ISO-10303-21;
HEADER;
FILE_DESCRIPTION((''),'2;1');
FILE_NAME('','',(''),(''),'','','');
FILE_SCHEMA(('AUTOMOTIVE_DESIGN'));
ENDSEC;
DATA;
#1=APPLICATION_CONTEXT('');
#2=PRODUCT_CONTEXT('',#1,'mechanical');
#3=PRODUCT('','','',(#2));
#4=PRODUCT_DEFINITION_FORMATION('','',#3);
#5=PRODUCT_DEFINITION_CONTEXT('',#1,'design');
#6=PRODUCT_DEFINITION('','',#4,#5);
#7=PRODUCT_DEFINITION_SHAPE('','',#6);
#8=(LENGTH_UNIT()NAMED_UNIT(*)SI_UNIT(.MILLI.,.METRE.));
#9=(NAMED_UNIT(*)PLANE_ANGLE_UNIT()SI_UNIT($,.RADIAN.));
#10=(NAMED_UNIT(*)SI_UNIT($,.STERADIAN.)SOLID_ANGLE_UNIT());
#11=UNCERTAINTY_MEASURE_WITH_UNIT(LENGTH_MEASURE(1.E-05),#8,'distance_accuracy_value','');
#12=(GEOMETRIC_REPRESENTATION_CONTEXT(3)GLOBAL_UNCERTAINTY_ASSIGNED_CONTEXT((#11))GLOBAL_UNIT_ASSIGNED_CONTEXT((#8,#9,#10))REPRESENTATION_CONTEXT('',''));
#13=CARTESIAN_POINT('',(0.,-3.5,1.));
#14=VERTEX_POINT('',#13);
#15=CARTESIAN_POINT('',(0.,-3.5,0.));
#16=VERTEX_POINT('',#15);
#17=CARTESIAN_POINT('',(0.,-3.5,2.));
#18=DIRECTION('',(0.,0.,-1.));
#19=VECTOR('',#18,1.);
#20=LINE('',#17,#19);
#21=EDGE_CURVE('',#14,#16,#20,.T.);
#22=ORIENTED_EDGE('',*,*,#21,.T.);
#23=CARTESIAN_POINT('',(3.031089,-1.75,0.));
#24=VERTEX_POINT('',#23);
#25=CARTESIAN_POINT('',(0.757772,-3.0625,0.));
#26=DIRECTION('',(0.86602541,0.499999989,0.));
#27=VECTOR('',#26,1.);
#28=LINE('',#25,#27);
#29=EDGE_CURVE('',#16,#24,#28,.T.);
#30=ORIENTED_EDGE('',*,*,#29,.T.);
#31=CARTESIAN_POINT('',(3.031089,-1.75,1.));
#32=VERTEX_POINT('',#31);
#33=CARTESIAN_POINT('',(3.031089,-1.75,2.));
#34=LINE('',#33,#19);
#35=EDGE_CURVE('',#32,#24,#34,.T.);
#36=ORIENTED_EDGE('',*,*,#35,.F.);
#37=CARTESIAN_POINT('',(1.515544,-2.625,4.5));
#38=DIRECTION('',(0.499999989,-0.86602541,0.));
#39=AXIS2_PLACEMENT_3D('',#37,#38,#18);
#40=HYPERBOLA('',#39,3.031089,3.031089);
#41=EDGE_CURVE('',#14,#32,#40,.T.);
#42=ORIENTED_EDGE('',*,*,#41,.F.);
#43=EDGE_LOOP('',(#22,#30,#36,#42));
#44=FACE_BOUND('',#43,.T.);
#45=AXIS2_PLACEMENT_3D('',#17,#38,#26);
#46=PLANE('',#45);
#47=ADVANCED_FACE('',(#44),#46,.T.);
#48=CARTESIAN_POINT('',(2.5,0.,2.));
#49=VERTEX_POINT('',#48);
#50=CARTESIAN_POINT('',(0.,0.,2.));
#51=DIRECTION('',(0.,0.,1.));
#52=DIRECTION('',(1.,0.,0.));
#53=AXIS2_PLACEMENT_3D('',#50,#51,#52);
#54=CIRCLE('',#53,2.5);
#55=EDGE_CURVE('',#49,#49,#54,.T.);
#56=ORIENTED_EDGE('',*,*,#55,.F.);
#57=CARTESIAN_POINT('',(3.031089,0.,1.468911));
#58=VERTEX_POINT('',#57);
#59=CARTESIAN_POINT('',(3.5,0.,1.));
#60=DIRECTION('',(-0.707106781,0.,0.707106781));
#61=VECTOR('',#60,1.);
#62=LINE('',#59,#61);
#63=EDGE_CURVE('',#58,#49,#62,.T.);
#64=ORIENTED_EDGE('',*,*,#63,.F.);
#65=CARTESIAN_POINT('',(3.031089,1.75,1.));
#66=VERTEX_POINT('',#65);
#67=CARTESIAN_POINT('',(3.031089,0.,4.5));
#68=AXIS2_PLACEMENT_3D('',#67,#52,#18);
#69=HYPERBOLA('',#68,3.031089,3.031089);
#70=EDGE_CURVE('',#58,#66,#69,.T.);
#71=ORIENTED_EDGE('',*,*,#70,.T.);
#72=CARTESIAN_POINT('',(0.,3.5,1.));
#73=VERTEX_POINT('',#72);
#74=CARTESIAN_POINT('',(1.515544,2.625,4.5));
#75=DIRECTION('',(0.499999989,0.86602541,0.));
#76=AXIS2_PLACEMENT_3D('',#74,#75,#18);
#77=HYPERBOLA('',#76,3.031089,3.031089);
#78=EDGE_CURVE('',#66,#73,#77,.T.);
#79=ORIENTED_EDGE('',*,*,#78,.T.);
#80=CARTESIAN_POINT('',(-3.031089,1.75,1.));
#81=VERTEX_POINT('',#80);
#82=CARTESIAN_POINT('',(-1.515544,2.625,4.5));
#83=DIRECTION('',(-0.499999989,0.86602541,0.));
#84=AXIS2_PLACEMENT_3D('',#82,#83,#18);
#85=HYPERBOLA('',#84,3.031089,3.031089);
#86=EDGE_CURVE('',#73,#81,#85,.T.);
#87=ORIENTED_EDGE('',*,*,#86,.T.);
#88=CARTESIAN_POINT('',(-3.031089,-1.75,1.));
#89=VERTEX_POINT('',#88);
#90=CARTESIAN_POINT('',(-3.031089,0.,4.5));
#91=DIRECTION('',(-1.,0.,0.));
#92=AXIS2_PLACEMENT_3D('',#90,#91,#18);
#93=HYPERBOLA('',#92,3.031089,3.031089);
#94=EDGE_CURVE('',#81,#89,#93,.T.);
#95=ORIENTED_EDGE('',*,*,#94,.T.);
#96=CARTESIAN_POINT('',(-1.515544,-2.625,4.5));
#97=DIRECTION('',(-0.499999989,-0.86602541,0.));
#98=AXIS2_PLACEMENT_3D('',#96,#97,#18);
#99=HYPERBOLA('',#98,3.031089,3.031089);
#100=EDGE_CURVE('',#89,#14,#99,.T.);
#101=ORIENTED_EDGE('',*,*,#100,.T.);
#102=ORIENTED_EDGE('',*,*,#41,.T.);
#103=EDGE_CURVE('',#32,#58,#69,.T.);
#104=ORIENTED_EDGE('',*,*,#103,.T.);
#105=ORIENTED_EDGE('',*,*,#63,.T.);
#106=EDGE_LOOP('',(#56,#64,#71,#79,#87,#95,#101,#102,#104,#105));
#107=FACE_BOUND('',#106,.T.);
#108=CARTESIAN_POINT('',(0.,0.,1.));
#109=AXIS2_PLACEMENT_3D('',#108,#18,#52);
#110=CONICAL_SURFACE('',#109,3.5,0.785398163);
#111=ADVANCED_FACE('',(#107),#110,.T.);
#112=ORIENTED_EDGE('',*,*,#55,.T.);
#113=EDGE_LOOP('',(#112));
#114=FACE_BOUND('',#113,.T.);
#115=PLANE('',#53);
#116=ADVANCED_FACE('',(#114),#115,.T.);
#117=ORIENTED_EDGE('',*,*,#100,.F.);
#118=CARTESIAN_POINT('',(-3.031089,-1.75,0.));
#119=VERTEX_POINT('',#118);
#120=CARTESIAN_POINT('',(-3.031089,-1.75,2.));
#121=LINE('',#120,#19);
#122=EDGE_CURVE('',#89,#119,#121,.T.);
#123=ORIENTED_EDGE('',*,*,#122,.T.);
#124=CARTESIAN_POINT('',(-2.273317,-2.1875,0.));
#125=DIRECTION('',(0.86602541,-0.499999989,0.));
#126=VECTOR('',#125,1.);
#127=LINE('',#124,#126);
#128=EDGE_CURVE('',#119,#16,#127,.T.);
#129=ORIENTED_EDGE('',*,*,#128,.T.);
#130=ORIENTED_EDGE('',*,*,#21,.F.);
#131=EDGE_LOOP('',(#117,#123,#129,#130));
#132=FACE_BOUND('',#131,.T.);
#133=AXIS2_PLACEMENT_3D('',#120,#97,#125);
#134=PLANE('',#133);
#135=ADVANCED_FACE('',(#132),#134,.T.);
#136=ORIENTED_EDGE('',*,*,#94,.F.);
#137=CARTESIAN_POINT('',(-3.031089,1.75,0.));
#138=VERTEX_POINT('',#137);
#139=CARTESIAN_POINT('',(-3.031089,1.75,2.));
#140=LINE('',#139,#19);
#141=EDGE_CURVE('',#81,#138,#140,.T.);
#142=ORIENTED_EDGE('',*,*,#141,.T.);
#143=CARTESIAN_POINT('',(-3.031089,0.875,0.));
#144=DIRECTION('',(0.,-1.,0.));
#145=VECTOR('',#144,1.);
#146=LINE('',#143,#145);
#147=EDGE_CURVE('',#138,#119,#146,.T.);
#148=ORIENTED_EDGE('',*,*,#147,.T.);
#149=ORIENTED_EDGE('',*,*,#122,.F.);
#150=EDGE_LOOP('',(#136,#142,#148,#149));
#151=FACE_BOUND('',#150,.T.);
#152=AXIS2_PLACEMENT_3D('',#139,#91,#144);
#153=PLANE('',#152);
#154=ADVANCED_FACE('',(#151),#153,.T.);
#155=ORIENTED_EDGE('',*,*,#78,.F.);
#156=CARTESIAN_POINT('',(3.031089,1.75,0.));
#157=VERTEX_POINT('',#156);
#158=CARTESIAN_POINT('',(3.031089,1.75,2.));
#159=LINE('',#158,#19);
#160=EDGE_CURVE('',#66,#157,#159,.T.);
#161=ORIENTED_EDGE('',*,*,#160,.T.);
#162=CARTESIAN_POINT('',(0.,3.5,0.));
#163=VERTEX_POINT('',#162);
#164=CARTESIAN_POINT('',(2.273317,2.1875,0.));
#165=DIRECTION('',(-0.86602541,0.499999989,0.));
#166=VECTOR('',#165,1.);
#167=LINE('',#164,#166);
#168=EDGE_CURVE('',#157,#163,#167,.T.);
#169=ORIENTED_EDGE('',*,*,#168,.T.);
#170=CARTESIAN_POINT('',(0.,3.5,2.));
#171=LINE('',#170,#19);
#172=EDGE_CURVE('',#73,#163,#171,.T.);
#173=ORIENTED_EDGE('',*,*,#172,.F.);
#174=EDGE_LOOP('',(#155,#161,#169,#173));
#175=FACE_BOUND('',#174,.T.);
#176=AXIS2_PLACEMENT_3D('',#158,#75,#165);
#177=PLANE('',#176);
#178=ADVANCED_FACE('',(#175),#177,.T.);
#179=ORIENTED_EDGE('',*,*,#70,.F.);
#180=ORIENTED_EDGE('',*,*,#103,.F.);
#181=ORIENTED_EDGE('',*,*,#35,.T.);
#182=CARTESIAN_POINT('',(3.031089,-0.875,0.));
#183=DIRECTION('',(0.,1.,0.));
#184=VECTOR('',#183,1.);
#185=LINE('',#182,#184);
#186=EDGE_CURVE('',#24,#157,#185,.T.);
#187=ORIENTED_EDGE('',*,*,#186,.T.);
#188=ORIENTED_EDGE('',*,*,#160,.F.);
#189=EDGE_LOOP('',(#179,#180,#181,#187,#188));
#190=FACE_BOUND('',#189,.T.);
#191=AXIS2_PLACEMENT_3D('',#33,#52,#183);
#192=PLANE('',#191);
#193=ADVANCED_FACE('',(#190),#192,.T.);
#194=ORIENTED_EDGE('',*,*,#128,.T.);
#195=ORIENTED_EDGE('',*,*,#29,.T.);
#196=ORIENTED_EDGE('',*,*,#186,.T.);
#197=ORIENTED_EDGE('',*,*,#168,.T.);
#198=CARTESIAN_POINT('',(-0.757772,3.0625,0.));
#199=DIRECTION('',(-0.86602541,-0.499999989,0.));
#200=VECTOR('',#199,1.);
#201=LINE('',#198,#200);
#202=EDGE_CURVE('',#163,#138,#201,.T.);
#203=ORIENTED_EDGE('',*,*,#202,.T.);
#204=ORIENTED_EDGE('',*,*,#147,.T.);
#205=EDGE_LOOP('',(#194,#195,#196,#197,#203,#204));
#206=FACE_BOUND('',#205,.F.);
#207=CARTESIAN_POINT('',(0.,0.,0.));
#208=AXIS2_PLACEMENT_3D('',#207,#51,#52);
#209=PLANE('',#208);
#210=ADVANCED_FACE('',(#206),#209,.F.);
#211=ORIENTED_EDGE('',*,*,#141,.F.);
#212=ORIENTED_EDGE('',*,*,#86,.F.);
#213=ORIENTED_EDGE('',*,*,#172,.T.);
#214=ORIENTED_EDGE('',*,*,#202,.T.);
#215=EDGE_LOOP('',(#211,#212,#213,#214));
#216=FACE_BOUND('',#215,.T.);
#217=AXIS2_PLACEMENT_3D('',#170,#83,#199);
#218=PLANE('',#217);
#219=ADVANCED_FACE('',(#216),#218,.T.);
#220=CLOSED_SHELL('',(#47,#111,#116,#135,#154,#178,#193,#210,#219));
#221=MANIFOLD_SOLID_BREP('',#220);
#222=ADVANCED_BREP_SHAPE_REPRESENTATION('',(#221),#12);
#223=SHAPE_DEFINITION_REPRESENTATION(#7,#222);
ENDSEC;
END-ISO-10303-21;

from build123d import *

# Parameters (mm, degrees)
SKETCH_R          = 3.5
PAD_DEPTH         = 2
CHAMFER_SIZE      = 1
SKETCH001_R       = 4.5
POCKET_DEPTH      = 2.001
POCKET_DEPTH_BACK = 0.001


with BuildPart() as part:
    # Sketch → Pad (new body)
    with BuildSketch(Plane.XY):
        Circle(SKETCH_R)
    extrude(amount=PAD_DEPTH)

    # Chamfer
    chamfer_edges = [part.edges().sort_by_distance(p)[0] for p in [
        (-3.5, 0, 2),
    ]]
    chamfer(chamfer_edges, length=CHAMFER_SIZE)

    # Sketch001 (on Face3 of Pad) → Pocket (cut, two sides)
    with BuildSketch(Plane.XY.offset(2)) as pocket_sk:
        Circle(SKETCH001_R)
        Polygon((3.031089, 1.75), (0, 3.5), (-3.031089, 1.75), (-3.031089, -1.75), (0, -3.5), (3.031089, -1.75), align=None, mode=Mode.SUBTRACT)
    extrude(amount=-POCKET_DEPTH, mode=Mode.SUBTRACT)
    extrude(pocket_sk.sketch, amount=POCKET_DEPTH_BACK, mode=Mode.SUBTRACT)


solid = part.part
